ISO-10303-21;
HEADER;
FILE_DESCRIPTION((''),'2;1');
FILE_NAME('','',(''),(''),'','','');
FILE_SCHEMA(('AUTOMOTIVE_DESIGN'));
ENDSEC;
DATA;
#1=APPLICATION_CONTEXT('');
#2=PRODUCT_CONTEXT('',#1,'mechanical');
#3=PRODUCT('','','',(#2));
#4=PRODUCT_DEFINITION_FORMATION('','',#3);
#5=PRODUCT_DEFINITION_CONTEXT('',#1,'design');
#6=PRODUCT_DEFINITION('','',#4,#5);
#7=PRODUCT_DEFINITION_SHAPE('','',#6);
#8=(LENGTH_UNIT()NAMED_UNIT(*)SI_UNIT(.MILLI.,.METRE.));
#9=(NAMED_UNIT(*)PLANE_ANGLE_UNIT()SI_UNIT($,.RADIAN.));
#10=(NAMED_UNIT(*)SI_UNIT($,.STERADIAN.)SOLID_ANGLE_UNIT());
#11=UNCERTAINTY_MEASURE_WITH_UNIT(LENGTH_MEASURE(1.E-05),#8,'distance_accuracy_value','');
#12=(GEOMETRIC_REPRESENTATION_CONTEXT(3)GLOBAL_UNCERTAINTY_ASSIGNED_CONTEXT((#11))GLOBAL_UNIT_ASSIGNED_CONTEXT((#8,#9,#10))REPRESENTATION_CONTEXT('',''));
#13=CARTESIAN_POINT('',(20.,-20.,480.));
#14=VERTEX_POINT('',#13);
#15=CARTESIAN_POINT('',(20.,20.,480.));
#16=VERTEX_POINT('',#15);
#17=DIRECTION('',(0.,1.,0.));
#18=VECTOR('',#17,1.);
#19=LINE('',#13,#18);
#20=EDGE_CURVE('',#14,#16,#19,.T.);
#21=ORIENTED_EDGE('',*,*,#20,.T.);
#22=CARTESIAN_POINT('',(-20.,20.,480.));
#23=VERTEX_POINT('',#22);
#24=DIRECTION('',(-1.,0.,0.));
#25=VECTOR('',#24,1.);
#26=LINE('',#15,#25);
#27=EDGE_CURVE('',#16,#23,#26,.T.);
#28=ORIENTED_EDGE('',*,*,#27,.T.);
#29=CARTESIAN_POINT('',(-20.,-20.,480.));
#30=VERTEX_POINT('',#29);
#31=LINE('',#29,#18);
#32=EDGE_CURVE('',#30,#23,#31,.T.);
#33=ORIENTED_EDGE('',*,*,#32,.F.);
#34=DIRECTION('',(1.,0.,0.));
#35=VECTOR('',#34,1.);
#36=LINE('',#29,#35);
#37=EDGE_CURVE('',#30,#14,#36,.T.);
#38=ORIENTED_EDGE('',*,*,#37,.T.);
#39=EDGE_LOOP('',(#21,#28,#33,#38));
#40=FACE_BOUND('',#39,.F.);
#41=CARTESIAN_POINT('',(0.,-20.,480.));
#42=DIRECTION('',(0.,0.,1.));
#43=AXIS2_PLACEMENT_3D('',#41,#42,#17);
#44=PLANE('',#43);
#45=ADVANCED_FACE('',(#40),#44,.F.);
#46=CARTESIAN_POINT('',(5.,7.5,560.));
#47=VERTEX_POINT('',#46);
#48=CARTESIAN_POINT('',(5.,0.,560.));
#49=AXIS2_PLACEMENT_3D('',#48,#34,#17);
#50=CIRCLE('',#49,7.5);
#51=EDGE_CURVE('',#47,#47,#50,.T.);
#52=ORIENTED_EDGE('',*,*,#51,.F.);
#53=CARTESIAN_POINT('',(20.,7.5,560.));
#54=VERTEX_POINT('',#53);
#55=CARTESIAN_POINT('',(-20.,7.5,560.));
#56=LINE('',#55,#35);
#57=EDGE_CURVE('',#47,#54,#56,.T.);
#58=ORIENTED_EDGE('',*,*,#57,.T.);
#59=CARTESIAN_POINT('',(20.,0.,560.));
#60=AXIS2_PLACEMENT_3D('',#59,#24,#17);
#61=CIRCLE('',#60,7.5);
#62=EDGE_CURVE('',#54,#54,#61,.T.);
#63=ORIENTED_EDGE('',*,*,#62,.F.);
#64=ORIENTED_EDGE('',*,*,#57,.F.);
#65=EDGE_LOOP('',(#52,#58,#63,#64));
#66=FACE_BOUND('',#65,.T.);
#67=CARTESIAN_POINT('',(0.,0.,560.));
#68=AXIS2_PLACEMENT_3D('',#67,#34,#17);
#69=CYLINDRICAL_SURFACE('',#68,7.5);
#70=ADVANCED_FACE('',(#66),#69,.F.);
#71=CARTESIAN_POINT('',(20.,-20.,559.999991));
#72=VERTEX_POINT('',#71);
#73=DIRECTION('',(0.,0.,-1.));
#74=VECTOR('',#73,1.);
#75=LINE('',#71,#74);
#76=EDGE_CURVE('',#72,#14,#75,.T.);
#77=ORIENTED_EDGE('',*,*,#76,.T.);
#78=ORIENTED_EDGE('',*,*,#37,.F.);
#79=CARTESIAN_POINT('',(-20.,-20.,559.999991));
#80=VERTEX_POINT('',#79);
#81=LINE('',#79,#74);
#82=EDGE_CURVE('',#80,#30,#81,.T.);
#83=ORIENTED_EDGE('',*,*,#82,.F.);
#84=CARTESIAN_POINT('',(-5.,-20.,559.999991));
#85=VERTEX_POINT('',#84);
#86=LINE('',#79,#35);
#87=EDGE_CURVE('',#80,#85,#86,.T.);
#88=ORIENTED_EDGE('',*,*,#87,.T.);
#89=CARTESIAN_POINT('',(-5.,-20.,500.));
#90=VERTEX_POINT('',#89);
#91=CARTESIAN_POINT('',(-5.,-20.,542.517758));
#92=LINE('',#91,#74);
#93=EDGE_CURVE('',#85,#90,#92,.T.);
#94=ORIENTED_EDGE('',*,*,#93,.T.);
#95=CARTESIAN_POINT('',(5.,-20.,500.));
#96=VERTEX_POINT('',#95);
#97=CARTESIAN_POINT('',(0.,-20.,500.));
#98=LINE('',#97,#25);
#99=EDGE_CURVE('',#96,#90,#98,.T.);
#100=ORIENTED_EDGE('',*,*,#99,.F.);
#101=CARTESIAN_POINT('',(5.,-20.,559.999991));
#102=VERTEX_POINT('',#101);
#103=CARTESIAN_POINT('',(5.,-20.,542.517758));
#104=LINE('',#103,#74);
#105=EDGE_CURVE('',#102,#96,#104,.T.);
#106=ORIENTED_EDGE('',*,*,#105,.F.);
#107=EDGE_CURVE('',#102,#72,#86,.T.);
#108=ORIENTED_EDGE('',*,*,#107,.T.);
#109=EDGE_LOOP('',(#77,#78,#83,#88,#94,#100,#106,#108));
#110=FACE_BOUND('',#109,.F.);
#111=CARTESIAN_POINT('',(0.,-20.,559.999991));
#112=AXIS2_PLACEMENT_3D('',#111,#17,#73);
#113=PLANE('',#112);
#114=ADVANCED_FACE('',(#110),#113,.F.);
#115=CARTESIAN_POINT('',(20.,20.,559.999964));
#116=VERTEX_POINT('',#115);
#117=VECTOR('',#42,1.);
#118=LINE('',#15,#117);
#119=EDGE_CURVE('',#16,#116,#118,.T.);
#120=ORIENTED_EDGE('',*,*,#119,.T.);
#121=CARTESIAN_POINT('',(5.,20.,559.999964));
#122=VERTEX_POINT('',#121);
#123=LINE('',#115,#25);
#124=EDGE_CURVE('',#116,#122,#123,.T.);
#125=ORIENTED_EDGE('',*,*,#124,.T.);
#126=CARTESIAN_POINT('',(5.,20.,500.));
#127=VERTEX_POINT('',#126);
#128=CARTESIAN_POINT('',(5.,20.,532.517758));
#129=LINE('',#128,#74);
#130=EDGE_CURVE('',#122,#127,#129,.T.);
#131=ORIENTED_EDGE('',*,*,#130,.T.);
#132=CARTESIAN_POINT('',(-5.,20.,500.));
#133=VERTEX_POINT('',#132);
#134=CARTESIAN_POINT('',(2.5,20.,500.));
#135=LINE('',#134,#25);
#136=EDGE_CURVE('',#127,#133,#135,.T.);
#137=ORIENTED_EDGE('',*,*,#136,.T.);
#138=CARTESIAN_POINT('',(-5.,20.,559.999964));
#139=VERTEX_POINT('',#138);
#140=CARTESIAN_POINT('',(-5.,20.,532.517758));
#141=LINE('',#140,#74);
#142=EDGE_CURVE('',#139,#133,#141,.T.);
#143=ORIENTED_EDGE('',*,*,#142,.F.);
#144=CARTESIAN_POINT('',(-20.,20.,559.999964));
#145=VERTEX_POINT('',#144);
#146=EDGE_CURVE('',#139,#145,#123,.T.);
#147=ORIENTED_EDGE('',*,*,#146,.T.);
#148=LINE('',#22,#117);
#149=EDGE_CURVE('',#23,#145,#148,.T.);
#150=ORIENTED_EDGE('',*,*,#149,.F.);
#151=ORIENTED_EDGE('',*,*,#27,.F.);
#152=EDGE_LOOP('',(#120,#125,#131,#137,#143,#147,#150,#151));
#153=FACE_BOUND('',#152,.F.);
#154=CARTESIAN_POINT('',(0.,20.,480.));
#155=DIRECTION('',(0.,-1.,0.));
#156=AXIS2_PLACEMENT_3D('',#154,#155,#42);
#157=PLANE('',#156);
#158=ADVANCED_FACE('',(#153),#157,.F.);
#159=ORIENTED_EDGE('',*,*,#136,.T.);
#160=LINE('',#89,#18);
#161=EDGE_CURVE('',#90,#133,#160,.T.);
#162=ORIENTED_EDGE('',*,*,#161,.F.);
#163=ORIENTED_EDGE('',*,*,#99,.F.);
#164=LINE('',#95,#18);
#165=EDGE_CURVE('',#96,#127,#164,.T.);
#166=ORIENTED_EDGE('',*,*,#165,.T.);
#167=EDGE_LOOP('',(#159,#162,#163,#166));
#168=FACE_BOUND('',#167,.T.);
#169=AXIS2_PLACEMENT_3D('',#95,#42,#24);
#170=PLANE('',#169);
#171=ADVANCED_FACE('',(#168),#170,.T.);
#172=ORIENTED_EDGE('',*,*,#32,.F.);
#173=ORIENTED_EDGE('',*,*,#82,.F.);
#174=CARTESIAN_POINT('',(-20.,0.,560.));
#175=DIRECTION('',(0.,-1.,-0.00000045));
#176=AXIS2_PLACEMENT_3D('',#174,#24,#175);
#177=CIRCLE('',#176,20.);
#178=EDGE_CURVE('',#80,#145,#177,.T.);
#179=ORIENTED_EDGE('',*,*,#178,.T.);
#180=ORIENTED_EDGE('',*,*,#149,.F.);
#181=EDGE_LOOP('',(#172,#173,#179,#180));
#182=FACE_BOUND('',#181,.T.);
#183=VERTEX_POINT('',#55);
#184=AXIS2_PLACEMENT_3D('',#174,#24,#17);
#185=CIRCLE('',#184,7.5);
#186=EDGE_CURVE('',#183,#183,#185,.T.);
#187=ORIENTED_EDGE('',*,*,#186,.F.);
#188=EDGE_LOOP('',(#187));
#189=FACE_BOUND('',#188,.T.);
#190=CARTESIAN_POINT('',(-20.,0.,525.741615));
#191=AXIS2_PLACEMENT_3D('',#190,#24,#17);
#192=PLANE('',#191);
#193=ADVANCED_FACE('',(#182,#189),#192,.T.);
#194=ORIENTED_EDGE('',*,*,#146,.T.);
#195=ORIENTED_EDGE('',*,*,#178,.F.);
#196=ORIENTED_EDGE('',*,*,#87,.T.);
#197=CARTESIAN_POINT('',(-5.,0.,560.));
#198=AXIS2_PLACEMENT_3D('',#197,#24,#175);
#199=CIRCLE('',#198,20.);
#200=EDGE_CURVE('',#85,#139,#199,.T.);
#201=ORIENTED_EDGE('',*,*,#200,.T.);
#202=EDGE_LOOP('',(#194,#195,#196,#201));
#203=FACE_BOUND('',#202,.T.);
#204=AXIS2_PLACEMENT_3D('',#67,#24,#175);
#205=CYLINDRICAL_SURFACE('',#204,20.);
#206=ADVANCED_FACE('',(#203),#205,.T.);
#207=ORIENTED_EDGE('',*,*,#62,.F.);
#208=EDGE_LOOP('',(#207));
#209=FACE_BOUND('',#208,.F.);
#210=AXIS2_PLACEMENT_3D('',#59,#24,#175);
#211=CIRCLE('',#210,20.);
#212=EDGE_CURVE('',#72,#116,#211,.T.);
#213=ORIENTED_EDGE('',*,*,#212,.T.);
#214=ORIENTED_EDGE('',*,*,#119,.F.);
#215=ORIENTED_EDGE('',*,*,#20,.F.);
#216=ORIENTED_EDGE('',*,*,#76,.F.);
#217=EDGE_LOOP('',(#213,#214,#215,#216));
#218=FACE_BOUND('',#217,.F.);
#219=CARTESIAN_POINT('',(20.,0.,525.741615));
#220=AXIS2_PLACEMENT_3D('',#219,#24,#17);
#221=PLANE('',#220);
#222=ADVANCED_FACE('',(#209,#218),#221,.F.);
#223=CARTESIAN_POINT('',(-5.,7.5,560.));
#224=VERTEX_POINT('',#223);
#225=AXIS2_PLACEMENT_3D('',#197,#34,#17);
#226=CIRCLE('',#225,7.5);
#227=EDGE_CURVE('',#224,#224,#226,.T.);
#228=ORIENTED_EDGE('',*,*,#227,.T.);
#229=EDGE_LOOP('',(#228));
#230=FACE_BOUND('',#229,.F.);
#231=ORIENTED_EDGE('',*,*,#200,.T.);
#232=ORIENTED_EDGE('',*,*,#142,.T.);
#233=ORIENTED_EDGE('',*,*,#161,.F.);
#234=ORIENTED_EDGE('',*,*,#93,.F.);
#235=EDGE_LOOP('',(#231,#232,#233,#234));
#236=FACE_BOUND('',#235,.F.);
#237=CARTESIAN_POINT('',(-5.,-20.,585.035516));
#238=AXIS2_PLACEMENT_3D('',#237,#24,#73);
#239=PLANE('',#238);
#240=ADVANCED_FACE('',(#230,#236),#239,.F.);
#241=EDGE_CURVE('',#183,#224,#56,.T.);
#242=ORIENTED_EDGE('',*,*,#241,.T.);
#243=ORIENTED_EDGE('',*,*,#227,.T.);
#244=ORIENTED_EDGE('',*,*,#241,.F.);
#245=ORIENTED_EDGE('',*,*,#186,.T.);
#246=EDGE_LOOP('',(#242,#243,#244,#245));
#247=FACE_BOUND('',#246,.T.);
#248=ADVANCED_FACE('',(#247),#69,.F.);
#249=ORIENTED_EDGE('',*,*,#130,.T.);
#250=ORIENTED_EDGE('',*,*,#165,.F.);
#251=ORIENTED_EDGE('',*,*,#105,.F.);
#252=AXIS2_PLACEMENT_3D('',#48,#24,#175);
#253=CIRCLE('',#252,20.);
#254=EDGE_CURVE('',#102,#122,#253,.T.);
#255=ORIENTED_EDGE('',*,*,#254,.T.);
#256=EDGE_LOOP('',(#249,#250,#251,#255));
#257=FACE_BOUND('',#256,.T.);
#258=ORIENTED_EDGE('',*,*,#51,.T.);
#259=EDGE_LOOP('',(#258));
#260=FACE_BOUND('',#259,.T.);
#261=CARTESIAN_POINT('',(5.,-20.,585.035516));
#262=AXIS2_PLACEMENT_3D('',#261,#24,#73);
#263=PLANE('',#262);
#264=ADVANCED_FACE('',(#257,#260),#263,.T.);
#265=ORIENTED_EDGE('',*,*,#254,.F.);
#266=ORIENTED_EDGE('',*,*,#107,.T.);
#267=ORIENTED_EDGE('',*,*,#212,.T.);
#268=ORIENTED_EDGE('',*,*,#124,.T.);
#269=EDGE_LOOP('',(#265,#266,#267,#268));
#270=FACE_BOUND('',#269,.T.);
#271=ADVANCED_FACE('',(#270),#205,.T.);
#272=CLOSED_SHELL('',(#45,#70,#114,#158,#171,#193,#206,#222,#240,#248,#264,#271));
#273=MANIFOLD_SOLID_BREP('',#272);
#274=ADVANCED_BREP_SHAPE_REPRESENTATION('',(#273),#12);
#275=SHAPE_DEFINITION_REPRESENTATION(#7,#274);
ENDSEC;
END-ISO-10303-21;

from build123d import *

# Parameters (mm, degrees)
SKETCH038_W              = 10
SKETCH038_H              = 85.035517
EXTRUDE034_DEPTH         = 50
SKETCH037_R              = 7.5
EXTRUDE033_DEPTH         = 20
CLONE003_PLACEMENT_ANGLE = 180


with BuildPart() as extrude036:
    # Sketch038 (on Face4 of Extrude033) → Extrude034 (new body)
    with BuildSketch(Plane.XZ.offset(20)):
        with Locations((0, 17.482242)):
            Rectangle(SKETCH038_W, SKETCH038_H)
    extrude(amount=-EXTRUDE034_DEPTH)


with BuildPart() as cut018:
    # Sketch037 → Extrude033 (new body, symmetric)
    with BuildSketch(Plane.YZ):
        with BuildLine():
            ThreePointArc((-20, 9e-06), (1.3e-05, -20), (20, 3.6e-05))
            Line((20, 80), (20, 3.6e-05))
            Line((-20, 80), (20, 80))
            Line((-20, 9e-06), (-20, 80))
        make_face()
        Circle(SKETCH037_R, mode=Mode.SUBTRACT)
    extrude(amount=EXTRUDE033_DEPTH, both=True)

    # Cut017: cut Extrude036
    add(extrude036.part, mode=Mode.SUBTRACT)


with BuildPart() as cut018_1:
    # Clone003 placement: moved
    add(cut018.part.moved(Location((0, 0, 560))).rotate(Axis((0, 0, 560), (0, 1, 0)), CLONE003_PLACEMENT_ANGLE))


solid = cut018_1.part
